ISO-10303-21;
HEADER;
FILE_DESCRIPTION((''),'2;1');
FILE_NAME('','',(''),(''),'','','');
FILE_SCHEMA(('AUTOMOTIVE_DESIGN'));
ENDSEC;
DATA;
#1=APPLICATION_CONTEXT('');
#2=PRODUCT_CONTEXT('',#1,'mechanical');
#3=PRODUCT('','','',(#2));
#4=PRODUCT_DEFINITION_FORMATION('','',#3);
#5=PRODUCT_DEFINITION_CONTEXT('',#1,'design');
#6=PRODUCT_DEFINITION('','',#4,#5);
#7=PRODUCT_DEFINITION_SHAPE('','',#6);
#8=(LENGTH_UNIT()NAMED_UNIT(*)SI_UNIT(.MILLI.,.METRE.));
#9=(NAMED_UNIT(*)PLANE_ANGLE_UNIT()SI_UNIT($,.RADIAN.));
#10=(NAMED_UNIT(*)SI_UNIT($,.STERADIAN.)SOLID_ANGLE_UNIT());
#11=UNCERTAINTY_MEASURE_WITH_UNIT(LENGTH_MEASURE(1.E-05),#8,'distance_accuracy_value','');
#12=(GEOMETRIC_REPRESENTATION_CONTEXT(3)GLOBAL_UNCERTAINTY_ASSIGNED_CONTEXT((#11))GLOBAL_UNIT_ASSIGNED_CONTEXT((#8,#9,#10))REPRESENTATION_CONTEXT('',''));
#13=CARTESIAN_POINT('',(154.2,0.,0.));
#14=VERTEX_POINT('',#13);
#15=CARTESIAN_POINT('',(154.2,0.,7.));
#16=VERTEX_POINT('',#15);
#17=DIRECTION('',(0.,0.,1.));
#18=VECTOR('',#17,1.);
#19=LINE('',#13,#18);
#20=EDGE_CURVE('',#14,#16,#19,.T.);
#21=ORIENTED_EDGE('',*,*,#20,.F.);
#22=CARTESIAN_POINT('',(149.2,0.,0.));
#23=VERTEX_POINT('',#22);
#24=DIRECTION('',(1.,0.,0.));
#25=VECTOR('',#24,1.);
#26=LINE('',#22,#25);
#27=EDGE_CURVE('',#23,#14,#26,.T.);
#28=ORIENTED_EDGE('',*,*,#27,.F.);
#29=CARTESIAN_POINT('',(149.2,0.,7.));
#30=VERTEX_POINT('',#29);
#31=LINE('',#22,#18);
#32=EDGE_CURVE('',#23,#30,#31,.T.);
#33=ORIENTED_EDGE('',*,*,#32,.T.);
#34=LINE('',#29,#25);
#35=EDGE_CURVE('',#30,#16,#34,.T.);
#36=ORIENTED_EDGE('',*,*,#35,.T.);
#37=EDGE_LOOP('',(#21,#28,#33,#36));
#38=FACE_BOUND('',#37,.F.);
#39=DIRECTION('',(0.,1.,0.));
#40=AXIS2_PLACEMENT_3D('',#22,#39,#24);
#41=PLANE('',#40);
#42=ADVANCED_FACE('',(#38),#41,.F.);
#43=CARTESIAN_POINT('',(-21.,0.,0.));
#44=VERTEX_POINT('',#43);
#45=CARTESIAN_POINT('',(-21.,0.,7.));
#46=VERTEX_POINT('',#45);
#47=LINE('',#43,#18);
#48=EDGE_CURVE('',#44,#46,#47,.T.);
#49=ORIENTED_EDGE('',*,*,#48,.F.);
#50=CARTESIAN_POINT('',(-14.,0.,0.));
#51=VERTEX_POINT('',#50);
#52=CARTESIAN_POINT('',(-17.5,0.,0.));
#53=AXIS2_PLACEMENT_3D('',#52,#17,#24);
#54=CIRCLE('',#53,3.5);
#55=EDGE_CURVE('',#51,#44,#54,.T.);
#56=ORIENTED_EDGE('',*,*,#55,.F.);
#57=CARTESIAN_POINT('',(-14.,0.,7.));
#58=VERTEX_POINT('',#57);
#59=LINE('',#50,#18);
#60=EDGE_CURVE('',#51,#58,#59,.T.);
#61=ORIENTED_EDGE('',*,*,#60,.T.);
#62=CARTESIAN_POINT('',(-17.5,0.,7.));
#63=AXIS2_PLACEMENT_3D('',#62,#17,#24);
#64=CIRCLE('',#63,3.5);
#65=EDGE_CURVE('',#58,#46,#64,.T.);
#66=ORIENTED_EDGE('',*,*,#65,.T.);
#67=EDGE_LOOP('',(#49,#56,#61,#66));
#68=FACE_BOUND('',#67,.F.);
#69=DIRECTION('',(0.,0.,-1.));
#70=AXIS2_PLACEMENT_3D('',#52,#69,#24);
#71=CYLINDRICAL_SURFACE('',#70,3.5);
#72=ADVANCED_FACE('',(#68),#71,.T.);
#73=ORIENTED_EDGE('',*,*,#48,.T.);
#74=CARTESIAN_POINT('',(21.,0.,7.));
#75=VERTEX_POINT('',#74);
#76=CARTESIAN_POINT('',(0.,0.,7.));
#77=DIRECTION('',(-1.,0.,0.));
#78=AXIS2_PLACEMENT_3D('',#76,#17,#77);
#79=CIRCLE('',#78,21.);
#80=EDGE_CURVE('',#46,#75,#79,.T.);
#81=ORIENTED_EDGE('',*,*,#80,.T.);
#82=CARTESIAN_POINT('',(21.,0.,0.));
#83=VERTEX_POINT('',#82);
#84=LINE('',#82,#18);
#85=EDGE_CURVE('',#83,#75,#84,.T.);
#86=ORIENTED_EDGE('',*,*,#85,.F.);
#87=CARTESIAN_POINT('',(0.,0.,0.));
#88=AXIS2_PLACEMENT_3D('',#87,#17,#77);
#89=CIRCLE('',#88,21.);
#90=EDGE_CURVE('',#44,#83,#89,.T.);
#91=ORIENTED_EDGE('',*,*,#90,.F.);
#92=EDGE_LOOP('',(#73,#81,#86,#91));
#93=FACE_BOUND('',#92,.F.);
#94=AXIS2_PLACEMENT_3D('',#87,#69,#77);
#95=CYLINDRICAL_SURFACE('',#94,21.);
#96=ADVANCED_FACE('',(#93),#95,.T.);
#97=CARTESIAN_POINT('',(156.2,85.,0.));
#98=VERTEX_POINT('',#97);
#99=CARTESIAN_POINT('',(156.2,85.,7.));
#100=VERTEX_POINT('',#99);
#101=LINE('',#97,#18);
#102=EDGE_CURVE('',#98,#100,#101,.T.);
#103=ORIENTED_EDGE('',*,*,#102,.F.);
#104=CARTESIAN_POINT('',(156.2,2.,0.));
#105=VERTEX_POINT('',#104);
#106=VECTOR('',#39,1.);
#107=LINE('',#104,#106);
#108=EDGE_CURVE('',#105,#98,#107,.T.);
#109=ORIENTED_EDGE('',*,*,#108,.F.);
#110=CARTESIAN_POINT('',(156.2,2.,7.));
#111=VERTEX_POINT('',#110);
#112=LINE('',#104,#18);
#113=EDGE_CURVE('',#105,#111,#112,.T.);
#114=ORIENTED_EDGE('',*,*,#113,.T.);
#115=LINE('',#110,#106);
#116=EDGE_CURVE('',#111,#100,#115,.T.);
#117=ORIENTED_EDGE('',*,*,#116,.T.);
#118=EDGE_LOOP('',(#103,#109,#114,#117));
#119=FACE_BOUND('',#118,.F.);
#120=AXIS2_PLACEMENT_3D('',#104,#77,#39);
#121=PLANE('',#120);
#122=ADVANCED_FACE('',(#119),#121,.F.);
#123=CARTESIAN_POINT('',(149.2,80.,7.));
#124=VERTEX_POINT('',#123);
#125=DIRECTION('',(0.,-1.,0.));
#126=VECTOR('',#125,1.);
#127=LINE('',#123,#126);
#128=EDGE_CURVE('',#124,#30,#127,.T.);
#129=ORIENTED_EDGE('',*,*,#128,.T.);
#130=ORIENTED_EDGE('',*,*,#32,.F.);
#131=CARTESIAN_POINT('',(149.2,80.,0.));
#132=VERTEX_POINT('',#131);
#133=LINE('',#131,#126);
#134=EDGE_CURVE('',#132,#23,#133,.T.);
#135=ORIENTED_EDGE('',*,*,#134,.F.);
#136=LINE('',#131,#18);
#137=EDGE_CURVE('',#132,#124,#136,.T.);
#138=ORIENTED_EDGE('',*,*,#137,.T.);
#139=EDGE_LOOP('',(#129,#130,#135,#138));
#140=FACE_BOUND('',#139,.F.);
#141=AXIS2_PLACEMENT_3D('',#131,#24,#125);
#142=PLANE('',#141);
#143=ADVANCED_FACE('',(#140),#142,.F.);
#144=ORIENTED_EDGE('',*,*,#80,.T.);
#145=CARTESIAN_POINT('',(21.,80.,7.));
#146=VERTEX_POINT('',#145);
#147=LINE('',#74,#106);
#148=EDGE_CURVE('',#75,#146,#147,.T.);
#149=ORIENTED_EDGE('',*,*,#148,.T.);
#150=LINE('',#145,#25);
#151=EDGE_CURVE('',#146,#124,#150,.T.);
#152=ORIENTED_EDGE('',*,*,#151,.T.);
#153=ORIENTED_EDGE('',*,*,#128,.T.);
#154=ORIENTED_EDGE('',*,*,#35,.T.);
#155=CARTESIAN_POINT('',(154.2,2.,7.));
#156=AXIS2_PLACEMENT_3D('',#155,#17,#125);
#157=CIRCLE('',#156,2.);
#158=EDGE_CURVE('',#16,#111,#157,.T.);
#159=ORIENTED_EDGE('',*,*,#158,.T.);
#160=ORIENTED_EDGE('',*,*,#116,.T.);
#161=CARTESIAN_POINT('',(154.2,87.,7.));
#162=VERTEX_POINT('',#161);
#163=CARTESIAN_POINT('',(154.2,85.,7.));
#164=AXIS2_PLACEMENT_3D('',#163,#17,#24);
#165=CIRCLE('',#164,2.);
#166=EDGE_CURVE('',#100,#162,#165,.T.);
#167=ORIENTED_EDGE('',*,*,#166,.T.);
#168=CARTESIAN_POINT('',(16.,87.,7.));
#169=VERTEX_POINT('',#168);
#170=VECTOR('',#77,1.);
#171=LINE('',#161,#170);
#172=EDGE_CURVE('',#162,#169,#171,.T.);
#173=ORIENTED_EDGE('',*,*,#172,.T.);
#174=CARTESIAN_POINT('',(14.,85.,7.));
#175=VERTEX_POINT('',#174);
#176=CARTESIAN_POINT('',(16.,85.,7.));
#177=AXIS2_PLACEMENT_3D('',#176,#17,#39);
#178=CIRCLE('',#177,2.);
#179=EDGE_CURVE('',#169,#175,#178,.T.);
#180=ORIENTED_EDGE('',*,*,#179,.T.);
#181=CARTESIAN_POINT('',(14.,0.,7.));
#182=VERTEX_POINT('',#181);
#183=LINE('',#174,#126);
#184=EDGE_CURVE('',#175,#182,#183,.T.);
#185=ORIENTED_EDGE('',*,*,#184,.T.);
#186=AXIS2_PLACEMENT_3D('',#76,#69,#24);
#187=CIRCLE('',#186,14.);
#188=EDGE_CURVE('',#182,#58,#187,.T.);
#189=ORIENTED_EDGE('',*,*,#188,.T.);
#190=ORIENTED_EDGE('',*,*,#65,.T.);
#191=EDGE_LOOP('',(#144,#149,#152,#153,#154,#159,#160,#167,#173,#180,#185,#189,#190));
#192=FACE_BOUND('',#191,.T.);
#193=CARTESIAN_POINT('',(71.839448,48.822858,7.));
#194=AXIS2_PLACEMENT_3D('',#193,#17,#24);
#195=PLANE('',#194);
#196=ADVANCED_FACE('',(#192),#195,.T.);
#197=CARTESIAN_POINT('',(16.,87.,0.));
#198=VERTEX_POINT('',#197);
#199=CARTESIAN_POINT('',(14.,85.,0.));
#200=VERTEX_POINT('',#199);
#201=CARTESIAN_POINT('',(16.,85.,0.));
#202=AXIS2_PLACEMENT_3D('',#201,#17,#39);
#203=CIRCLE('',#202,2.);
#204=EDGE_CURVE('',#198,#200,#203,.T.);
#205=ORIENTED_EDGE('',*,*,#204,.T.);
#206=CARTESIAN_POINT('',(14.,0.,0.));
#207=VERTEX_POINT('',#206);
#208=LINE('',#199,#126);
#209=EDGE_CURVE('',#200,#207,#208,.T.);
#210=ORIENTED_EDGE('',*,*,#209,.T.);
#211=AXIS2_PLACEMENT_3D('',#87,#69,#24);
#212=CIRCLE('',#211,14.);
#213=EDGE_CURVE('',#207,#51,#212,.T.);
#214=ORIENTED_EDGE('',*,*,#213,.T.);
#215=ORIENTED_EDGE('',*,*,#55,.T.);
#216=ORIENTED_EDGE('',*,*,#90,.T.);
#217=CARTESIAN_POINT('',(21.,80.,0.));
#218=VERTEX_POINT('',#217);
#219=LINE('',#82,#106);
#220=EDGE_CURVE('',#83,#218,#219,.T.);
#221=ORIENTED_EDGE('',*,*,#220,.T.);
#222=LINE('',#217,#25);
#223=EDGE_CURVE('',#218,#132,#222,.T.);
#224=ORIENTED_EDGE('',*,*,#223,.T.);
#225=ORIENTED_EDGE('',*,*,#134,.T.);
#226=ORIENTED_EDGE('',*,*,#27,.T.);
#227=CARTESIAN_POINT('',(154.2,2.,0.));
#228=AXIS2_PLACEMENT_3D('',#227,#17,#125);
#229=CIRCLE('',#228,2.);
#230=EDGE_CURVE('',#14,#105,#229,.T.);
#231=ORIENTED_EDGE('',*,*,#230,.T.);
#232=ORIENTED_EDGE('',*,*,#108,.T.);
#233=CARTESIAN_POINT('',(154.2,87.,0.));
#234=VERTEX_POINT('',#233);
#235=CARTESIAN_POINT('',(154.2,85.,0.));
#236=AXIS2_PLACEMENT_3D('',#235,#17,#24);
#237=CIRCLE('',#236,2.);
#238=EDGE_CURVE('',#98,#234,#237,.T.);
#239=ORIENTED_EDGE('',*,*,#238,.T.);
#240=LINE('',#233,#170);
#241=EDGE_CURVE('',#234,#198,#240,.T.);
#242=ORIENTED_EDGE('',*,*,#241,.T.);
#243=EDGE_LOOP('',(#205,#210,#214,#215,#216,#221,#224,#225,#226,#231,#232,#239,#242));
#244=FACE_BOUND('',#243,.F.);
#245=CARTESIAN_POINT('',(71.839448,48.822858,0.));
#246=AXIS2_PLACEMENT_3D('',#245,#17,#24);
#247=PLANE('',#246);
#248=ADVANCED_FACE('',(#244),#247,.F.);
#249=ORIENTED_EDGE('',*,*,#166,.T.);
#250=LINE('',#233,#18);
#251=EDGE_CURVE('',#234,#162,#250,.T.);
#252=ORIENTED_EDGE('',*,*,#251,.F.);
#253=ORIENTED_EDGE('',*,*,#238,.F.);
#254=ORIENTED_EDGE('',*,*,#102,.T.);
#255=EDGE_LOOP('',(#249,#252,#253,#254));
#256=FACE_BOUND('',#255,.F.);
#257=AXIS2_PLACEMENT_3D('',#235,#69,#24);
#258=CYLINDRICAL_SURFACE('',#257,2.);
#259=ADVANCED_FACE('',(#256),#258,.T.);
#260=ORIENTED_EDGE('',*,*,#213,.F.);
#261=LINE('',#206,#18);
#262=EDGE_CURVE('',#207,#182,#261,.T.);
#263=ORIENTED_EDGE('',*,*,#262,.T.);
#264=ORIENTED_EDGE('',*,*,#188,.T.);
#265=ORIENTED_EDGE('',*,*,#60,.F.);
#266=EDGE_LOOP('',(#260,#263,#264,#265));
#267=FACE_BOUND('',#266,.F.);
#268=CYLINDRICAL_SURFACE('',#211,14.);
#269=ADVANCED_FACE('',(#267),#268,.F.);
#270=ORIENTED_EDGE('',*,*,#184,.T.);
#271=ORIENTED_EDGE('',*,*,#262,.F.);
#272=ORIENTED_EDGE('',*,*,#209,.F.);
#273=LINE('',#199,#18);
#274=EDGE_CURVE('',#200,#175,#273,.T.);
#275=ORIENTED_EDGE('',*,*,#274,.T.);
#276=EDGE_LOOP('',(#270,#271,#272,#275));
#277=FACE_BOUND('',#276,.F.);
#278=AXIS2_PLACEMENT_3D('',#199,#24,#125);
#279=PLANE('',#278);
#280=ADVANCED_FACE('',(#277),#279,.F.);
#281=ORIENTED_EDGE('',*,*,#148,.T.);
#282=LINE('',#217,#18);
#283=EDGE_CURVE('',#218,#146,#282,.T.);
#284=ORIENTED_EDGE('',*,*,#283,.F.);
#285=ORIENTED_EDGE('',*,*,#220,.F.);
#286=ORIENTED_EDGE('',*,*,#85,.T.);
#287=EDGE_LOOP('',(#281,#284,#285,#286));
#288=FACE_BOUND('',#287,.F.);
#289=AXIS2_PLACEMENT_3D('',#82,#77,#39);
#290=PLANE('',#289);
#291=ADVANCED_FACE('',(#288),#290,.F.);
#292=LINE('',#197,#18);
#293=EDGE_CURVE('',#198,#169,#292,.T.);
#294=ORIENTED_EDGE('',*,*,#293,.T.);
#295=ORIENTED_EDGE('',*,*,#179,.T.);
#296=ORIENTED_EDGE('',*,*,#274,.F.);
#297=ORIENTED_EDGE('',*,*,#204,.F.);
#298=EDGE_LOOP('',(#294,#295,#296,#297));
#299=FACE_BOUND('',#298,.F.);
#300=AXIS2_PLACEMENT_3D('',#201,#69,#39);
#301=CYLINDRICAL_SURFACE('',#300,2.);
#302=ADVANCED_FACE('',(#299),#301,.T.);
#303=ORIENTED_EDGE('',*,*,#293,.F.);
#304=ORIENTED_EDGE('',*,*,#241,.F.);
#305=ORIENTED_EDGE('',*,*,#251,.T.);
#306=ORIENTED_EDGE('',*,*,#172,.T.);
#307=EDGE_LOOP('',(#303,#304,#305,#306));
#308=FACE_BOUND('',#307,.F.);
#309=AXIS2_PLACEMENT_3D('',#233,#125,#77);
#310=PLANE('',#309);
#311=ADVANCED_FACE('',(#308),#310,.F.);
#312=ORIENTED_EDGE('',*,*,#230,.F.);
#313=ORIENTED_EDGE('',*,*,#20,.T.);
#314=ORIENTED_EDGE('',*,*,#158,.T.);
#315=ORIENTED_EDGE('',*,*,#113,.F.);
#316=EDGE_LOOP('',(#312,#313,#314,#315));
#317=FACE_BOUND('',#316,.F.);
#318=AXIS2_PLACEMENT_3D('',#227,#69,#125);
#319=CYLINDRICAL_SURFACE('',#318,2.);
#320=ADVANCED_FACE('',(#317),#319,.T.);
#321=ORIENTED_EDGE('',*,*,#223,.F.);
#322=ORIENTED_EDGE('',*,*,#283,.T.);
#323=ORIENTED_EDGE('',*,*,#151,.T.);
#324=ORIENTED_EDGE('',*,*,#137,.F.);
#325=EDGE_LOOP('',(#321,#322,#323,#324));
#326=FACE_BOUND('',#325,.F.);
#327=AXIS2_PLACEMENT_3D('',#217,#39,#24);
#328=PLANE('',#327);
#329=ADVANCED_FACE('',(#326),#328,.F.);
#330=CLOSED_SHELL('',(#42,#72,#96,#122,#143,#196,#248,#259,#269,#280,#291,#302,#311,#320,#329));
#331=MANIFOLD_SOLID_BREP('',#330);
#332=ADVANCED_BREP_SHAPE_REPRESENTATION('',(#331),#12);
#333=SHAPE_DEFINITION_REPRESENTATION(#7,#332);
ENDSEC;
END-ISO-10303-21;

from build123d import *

# Parameters (mm, degrees)
F2_DEPTH = 7


with BuildPart() as f2:
    # F1 (on Top) → F2 (new body)
    with BuildSketch(Plane.XY):
        with BuildLine():
            ThreePointArc((14, 0), (0, -14), (-14, 0))
            ThreePointArc((-14, 0), (-17.5, 3.5), (-21, 0))
            ThreePointArc((-21, 0), (0, -21), (21, 0))
            Line((21, 0), (21, 80))
            Line((21, 80), (149.2, 80))
            Line((149.2, 80), (149.2, 0))
            Line((149.2, 0), (154.2, 0))
            ThreePointArc((154.2, 0), (155.6142135624, 0.5857864376), (156.2, 2))
            Line((156.2, 2), (156.2, 85))
            ThreePointArc((156.2, 85), (155.6142135624, 86.4142135624), (154.2, 87))
            Line((154.2, 87), (16, 87))
            ThreePointArc((16, 87), (14.5857864376, 86.4142135624), (14, 85))
            Line((14, 85), (14, 0))
        make_face()
    extrude(amount=F2_DEPTH)


solid = f2.part
